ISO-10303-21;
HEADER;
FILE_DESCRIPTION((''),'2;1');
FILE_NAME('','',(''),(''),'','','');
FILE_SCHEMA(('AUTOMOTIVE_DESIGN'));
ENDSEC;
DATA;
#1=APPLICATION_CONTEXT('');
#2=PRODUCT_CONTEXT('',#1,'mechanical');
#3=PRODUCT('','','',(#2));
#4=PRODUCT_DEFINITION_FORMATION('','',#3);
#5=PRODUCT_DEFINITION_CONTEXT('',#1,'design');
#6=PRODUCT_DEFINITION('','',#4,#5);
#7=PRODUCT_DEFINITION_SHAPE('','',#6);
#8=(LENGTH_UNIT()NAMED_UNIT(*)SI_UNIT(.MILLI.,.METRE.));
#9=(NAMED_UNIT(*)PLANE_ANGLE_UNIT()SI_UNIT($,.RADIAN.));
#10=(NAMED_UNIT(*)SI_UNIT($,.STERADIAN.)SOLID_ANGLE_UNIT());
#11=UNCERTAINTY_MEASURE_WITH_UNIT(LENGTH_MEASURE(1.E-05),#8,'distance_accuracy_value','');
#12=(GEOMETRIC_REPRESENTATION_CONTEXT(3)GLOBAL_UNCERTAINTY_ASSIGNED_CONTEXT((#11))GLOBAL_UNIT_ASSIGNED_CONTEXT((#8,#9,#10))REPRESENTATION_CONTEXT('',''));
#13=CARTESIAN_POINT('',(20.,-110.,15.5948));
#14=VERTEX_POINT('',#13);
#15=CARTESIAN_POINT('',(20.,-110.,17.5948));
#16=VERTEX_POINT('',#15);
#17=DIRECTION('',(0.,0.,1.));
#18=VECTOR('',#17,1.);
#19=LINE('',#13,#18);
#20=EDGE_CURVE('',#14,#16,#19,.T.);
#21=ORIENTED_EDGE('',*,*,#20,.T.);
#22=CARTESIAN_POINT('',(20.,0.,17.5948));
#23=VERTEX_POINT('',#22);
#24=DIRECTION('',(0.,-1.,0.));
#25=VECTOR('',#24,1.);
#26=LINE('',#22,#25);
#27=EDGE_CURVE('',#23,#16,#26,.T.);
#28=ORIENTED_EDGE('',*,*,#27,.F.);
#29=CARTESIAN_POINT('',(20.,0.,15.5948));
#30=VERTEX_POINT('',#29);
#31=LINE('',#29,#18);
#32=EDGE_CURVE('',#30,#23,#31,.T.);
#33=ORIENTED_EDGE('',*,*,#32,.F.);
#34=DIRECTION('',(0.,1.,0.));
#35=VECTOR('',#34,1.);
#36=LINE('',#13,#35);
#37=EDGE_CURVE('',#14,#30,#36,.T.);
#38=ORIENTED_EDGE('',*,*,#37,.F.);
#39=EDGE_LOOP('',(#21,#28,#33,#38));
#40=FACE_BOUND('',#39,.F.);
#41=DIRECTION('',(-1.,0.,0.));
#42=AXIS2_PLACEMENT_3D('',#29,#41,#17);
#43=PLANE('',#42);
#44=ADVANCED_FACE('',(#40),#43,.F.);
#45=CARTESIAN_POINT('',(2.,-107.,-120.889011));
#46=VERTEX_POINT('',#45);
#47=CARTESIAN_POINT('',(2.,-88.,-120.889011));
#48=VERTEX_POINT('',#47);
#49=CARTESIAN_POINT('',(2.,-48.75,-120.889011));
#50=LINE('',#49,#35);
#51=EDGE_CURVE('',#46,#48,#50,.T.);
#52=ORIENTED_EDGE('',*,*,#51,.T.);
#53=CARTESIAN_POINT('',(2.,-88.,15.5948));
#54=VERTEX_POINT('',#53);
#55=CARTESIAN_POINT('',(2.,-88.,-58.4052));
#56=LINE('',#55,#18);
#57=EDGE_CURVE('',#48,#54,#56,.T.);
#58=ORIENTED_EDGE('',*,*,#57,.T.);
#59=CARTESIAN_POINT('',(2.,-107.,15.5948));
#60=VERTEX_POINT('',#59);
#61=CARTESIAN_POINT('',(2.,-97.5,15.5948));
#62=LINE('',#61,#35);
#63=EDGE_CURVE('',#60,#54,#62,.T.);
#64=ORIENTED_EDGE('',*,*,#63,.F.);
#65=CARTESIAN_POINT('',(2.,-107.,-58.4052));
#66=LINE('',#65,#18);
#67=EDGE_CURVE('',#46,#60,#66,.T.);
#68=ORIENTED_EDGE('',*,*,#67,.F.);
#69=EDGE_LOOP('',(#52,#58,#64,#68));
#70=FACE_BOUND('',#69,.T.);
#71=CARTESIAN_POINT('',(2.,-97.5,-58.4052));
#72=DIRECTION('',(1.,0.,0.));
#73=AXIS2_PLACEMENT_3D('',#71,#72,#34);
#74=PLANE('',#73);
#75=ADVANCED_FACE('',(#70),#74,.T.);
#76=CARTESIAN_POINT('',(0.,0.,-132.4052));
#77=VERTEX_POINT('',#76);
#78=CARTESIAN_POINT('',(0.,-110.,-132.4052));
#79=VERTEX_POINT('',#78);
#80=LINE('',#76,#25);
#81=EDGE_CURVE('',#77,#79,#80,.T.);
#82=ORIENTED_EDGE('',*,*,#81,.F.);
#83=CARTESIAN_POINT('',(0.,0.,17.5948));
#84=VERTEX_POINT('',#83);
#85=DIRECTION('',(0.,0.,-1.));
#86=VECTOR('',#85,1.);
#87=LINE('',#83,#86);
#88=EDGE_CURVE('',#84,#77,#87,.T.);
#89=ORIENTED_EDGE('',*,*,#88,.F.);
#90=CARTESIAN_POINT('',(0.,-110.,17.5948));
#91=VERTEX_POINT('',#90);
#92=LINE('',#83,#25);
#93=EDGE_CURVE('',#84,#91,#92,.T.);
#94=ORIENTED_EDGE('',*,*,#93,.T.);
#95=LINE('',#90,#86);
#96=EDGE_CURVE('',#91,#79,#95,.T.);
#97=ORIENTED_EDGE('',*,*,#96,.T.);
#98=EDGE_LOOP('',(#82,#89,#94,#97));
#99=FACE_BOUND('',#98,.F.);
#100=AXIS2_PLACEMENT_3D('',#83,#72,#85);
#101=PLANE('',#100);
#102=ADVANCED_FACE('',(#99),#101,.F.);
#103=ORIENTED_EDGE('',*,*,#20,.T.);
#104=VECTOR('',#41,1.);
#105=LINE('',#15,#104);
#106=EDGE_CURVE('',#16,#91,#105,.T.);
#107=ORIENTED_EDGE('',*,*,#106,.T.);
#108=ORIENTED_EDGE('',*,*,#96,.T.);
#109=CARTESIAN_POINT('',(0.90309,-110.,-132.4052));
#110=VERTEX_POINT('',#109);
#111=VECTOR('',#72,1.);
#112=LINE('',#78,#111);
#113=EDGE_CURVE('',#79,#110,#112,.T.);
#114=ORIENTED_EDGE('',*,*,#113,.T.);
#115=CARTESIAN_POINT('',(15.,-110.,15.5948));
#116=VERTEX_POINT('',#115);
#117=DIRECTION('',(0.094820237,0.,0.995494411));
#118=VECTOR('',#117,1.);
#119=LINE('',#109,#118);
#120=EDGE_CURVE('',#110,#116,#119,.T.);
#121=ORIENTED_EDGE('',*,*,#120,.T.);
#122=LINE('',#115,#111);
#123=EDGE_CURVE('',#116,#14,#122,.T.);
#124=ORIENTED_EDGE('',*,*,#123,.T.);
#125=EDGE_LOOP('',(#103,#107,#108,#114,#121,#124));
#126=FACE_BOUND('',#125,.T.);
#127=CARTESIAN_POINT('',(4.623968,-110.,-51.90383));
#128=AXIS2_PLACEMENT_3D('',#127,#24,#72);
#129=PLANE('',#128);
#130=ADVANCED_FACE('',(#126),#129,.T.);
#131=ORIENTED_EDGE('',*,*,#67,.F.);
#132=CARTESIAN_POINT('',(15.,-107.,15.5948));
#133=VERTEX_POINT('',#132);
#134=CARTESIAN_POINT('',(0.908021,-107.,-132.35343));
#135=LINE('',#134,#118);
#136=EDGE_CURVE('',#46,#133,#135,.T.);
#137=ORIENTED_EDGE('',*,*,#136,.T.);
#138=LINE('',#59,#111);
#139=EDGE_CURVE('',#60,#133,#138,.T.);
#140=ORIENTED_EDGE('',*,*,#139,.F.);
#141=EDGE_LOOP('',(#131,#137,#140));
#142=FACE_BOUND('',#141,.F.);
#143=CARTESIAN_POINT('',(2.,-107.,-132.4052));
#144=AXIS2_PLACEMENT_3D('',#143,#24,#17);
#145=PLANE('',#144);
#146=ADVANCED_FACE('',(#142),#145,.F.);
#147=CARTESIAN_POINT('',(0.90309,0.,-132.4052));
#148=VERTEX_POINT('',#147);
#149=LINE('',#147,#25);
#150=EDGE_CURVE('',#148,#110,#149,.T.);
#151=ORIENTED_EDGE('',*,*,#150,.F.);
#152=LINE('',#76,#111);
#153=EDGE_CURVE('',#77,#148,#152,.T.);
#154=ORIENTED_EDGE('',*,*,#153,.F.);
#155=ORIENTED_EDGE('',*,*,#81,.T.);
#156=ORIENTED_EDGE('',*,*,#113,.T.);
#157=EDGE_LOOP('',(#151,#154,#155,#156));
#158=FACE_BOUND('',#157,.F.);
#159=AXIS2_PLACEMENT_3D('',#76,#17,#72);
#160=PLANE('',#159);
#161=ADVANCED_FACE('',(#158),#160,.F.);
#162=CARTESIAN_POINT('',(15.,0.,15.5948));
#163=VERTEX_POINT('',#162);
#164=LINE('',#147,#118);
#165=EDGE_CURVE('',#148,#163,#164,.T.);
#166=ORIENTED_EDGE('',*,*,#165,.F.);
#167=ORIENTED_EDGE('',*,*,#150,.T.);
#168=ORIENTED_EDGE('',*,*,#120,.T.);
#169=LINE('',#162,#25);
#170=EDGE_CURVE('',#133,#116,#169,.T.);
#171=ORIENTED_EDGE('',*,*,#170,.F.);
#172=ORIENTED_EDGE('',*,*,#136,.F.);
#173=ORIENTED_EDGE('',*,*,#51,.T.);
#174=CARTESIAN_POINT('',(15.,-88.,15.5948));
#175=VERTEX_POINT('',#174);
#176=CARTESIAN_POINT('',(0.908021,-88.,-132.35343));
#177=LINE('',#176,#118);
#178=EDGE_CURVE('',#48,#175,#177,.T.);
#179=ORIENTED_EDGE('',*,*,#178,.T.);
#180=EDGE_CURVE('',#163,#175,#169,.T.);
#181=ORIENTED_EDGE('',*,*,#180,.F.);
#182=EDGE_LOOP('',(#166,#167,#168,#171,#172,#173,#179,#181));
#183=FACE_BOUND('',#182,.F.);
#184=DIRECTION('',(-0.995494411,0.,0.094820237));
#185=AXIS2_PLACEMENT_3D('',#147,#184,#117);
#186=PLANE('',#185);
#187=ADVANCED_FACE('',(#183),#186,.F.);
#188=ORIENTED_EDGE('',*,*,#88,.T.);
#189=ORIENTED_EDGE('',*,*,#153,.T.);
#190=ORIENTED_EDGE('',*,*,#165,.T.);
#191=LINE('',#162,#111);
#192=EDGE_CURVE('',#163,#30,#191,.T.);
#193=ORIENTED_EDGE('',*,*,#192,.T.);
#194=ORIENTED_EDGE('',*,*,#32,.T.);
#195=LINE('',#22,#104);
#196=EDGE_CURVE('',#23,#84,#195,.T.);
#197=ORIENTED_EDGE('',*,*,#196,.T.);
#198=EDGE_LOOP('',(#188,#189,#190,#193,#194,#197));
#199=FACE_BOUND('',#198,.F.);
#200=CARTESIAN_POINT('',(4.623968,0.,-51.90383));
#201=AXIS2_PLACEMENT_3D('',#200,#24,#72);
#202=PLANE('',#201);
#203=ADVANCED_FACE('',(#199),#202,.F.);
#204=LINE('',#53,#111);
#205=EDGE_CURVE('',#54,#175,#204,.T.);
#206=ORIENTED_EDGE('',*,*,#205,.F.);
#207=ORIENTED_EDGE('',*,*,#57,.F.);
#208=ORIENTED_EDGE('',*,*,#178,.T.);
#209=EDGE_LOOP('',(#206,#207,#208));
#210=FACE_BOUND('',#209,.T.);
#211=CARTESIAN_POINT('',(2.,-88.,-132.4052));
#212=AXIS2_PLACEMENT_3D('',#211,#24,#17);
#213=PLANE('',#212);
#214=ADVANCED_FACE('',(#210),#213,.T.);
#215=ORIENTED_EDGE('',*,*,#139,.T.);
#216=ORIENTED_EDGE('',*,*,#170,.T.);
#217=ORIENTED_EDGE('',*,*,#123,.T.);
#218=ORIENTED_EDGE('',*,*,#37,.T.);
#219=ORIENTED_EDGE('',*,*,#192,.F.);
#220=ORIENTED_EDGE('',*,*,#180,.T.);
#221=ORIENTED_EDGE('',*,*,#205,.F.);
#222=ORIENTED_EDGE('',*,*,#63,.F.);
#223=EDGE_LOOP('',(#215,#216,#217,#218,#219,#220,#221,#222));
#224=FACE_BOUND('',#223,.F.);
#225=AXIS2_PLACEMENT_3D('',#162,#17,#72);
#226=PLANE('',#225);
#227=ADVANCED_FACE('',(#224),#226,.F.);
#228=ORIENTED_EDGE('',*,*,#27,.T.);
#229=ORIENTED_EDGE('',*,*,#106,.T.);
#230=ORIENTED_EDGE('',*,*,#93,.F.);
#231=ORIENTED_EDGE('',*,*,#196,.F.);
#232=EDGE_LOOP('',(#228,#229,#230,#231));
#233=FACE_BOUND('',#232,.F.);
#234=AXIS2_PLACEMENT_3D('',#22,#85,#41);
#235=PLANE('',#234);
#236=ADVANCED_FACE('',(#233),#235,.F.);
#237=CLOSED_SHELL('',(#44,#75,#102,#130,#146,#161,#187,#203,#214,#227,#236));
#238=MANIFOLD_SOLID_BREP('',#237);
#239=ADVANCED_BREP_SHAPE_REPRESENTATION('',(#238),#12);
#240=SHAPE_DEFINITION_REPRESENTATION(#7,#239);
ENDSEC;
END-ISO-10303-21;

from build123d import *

# Parameters (mm, degrees)
F1_DEPTH = 110
F3_W     = 19
F3_H     = 148
F4_DEPTH = 18.001


with BuildPart() as f1:
    # F0 (on Front) → F1 (new body)
    with BuildSketch(Plane.XZ):
        Polygon((20, 17.5948), (0, 17.5948), (0, -132.4052), (0.90309, -132.4052), (15, 15.5948), (20, 15.5948), align=None)
    extrude(amount=F1_DEPTH)

    # F3 (on offset) → F4 (cut, through all)
    with BuildSketch(Plane.YZ.offset(2)):
        with Locations((-97.5, -58.4052)):
            Rectangle(F3_W, F3_H)
    extrude(amount=F4_DEPTH, mode=Mode.SUBTRACT)


solid = f1.part
